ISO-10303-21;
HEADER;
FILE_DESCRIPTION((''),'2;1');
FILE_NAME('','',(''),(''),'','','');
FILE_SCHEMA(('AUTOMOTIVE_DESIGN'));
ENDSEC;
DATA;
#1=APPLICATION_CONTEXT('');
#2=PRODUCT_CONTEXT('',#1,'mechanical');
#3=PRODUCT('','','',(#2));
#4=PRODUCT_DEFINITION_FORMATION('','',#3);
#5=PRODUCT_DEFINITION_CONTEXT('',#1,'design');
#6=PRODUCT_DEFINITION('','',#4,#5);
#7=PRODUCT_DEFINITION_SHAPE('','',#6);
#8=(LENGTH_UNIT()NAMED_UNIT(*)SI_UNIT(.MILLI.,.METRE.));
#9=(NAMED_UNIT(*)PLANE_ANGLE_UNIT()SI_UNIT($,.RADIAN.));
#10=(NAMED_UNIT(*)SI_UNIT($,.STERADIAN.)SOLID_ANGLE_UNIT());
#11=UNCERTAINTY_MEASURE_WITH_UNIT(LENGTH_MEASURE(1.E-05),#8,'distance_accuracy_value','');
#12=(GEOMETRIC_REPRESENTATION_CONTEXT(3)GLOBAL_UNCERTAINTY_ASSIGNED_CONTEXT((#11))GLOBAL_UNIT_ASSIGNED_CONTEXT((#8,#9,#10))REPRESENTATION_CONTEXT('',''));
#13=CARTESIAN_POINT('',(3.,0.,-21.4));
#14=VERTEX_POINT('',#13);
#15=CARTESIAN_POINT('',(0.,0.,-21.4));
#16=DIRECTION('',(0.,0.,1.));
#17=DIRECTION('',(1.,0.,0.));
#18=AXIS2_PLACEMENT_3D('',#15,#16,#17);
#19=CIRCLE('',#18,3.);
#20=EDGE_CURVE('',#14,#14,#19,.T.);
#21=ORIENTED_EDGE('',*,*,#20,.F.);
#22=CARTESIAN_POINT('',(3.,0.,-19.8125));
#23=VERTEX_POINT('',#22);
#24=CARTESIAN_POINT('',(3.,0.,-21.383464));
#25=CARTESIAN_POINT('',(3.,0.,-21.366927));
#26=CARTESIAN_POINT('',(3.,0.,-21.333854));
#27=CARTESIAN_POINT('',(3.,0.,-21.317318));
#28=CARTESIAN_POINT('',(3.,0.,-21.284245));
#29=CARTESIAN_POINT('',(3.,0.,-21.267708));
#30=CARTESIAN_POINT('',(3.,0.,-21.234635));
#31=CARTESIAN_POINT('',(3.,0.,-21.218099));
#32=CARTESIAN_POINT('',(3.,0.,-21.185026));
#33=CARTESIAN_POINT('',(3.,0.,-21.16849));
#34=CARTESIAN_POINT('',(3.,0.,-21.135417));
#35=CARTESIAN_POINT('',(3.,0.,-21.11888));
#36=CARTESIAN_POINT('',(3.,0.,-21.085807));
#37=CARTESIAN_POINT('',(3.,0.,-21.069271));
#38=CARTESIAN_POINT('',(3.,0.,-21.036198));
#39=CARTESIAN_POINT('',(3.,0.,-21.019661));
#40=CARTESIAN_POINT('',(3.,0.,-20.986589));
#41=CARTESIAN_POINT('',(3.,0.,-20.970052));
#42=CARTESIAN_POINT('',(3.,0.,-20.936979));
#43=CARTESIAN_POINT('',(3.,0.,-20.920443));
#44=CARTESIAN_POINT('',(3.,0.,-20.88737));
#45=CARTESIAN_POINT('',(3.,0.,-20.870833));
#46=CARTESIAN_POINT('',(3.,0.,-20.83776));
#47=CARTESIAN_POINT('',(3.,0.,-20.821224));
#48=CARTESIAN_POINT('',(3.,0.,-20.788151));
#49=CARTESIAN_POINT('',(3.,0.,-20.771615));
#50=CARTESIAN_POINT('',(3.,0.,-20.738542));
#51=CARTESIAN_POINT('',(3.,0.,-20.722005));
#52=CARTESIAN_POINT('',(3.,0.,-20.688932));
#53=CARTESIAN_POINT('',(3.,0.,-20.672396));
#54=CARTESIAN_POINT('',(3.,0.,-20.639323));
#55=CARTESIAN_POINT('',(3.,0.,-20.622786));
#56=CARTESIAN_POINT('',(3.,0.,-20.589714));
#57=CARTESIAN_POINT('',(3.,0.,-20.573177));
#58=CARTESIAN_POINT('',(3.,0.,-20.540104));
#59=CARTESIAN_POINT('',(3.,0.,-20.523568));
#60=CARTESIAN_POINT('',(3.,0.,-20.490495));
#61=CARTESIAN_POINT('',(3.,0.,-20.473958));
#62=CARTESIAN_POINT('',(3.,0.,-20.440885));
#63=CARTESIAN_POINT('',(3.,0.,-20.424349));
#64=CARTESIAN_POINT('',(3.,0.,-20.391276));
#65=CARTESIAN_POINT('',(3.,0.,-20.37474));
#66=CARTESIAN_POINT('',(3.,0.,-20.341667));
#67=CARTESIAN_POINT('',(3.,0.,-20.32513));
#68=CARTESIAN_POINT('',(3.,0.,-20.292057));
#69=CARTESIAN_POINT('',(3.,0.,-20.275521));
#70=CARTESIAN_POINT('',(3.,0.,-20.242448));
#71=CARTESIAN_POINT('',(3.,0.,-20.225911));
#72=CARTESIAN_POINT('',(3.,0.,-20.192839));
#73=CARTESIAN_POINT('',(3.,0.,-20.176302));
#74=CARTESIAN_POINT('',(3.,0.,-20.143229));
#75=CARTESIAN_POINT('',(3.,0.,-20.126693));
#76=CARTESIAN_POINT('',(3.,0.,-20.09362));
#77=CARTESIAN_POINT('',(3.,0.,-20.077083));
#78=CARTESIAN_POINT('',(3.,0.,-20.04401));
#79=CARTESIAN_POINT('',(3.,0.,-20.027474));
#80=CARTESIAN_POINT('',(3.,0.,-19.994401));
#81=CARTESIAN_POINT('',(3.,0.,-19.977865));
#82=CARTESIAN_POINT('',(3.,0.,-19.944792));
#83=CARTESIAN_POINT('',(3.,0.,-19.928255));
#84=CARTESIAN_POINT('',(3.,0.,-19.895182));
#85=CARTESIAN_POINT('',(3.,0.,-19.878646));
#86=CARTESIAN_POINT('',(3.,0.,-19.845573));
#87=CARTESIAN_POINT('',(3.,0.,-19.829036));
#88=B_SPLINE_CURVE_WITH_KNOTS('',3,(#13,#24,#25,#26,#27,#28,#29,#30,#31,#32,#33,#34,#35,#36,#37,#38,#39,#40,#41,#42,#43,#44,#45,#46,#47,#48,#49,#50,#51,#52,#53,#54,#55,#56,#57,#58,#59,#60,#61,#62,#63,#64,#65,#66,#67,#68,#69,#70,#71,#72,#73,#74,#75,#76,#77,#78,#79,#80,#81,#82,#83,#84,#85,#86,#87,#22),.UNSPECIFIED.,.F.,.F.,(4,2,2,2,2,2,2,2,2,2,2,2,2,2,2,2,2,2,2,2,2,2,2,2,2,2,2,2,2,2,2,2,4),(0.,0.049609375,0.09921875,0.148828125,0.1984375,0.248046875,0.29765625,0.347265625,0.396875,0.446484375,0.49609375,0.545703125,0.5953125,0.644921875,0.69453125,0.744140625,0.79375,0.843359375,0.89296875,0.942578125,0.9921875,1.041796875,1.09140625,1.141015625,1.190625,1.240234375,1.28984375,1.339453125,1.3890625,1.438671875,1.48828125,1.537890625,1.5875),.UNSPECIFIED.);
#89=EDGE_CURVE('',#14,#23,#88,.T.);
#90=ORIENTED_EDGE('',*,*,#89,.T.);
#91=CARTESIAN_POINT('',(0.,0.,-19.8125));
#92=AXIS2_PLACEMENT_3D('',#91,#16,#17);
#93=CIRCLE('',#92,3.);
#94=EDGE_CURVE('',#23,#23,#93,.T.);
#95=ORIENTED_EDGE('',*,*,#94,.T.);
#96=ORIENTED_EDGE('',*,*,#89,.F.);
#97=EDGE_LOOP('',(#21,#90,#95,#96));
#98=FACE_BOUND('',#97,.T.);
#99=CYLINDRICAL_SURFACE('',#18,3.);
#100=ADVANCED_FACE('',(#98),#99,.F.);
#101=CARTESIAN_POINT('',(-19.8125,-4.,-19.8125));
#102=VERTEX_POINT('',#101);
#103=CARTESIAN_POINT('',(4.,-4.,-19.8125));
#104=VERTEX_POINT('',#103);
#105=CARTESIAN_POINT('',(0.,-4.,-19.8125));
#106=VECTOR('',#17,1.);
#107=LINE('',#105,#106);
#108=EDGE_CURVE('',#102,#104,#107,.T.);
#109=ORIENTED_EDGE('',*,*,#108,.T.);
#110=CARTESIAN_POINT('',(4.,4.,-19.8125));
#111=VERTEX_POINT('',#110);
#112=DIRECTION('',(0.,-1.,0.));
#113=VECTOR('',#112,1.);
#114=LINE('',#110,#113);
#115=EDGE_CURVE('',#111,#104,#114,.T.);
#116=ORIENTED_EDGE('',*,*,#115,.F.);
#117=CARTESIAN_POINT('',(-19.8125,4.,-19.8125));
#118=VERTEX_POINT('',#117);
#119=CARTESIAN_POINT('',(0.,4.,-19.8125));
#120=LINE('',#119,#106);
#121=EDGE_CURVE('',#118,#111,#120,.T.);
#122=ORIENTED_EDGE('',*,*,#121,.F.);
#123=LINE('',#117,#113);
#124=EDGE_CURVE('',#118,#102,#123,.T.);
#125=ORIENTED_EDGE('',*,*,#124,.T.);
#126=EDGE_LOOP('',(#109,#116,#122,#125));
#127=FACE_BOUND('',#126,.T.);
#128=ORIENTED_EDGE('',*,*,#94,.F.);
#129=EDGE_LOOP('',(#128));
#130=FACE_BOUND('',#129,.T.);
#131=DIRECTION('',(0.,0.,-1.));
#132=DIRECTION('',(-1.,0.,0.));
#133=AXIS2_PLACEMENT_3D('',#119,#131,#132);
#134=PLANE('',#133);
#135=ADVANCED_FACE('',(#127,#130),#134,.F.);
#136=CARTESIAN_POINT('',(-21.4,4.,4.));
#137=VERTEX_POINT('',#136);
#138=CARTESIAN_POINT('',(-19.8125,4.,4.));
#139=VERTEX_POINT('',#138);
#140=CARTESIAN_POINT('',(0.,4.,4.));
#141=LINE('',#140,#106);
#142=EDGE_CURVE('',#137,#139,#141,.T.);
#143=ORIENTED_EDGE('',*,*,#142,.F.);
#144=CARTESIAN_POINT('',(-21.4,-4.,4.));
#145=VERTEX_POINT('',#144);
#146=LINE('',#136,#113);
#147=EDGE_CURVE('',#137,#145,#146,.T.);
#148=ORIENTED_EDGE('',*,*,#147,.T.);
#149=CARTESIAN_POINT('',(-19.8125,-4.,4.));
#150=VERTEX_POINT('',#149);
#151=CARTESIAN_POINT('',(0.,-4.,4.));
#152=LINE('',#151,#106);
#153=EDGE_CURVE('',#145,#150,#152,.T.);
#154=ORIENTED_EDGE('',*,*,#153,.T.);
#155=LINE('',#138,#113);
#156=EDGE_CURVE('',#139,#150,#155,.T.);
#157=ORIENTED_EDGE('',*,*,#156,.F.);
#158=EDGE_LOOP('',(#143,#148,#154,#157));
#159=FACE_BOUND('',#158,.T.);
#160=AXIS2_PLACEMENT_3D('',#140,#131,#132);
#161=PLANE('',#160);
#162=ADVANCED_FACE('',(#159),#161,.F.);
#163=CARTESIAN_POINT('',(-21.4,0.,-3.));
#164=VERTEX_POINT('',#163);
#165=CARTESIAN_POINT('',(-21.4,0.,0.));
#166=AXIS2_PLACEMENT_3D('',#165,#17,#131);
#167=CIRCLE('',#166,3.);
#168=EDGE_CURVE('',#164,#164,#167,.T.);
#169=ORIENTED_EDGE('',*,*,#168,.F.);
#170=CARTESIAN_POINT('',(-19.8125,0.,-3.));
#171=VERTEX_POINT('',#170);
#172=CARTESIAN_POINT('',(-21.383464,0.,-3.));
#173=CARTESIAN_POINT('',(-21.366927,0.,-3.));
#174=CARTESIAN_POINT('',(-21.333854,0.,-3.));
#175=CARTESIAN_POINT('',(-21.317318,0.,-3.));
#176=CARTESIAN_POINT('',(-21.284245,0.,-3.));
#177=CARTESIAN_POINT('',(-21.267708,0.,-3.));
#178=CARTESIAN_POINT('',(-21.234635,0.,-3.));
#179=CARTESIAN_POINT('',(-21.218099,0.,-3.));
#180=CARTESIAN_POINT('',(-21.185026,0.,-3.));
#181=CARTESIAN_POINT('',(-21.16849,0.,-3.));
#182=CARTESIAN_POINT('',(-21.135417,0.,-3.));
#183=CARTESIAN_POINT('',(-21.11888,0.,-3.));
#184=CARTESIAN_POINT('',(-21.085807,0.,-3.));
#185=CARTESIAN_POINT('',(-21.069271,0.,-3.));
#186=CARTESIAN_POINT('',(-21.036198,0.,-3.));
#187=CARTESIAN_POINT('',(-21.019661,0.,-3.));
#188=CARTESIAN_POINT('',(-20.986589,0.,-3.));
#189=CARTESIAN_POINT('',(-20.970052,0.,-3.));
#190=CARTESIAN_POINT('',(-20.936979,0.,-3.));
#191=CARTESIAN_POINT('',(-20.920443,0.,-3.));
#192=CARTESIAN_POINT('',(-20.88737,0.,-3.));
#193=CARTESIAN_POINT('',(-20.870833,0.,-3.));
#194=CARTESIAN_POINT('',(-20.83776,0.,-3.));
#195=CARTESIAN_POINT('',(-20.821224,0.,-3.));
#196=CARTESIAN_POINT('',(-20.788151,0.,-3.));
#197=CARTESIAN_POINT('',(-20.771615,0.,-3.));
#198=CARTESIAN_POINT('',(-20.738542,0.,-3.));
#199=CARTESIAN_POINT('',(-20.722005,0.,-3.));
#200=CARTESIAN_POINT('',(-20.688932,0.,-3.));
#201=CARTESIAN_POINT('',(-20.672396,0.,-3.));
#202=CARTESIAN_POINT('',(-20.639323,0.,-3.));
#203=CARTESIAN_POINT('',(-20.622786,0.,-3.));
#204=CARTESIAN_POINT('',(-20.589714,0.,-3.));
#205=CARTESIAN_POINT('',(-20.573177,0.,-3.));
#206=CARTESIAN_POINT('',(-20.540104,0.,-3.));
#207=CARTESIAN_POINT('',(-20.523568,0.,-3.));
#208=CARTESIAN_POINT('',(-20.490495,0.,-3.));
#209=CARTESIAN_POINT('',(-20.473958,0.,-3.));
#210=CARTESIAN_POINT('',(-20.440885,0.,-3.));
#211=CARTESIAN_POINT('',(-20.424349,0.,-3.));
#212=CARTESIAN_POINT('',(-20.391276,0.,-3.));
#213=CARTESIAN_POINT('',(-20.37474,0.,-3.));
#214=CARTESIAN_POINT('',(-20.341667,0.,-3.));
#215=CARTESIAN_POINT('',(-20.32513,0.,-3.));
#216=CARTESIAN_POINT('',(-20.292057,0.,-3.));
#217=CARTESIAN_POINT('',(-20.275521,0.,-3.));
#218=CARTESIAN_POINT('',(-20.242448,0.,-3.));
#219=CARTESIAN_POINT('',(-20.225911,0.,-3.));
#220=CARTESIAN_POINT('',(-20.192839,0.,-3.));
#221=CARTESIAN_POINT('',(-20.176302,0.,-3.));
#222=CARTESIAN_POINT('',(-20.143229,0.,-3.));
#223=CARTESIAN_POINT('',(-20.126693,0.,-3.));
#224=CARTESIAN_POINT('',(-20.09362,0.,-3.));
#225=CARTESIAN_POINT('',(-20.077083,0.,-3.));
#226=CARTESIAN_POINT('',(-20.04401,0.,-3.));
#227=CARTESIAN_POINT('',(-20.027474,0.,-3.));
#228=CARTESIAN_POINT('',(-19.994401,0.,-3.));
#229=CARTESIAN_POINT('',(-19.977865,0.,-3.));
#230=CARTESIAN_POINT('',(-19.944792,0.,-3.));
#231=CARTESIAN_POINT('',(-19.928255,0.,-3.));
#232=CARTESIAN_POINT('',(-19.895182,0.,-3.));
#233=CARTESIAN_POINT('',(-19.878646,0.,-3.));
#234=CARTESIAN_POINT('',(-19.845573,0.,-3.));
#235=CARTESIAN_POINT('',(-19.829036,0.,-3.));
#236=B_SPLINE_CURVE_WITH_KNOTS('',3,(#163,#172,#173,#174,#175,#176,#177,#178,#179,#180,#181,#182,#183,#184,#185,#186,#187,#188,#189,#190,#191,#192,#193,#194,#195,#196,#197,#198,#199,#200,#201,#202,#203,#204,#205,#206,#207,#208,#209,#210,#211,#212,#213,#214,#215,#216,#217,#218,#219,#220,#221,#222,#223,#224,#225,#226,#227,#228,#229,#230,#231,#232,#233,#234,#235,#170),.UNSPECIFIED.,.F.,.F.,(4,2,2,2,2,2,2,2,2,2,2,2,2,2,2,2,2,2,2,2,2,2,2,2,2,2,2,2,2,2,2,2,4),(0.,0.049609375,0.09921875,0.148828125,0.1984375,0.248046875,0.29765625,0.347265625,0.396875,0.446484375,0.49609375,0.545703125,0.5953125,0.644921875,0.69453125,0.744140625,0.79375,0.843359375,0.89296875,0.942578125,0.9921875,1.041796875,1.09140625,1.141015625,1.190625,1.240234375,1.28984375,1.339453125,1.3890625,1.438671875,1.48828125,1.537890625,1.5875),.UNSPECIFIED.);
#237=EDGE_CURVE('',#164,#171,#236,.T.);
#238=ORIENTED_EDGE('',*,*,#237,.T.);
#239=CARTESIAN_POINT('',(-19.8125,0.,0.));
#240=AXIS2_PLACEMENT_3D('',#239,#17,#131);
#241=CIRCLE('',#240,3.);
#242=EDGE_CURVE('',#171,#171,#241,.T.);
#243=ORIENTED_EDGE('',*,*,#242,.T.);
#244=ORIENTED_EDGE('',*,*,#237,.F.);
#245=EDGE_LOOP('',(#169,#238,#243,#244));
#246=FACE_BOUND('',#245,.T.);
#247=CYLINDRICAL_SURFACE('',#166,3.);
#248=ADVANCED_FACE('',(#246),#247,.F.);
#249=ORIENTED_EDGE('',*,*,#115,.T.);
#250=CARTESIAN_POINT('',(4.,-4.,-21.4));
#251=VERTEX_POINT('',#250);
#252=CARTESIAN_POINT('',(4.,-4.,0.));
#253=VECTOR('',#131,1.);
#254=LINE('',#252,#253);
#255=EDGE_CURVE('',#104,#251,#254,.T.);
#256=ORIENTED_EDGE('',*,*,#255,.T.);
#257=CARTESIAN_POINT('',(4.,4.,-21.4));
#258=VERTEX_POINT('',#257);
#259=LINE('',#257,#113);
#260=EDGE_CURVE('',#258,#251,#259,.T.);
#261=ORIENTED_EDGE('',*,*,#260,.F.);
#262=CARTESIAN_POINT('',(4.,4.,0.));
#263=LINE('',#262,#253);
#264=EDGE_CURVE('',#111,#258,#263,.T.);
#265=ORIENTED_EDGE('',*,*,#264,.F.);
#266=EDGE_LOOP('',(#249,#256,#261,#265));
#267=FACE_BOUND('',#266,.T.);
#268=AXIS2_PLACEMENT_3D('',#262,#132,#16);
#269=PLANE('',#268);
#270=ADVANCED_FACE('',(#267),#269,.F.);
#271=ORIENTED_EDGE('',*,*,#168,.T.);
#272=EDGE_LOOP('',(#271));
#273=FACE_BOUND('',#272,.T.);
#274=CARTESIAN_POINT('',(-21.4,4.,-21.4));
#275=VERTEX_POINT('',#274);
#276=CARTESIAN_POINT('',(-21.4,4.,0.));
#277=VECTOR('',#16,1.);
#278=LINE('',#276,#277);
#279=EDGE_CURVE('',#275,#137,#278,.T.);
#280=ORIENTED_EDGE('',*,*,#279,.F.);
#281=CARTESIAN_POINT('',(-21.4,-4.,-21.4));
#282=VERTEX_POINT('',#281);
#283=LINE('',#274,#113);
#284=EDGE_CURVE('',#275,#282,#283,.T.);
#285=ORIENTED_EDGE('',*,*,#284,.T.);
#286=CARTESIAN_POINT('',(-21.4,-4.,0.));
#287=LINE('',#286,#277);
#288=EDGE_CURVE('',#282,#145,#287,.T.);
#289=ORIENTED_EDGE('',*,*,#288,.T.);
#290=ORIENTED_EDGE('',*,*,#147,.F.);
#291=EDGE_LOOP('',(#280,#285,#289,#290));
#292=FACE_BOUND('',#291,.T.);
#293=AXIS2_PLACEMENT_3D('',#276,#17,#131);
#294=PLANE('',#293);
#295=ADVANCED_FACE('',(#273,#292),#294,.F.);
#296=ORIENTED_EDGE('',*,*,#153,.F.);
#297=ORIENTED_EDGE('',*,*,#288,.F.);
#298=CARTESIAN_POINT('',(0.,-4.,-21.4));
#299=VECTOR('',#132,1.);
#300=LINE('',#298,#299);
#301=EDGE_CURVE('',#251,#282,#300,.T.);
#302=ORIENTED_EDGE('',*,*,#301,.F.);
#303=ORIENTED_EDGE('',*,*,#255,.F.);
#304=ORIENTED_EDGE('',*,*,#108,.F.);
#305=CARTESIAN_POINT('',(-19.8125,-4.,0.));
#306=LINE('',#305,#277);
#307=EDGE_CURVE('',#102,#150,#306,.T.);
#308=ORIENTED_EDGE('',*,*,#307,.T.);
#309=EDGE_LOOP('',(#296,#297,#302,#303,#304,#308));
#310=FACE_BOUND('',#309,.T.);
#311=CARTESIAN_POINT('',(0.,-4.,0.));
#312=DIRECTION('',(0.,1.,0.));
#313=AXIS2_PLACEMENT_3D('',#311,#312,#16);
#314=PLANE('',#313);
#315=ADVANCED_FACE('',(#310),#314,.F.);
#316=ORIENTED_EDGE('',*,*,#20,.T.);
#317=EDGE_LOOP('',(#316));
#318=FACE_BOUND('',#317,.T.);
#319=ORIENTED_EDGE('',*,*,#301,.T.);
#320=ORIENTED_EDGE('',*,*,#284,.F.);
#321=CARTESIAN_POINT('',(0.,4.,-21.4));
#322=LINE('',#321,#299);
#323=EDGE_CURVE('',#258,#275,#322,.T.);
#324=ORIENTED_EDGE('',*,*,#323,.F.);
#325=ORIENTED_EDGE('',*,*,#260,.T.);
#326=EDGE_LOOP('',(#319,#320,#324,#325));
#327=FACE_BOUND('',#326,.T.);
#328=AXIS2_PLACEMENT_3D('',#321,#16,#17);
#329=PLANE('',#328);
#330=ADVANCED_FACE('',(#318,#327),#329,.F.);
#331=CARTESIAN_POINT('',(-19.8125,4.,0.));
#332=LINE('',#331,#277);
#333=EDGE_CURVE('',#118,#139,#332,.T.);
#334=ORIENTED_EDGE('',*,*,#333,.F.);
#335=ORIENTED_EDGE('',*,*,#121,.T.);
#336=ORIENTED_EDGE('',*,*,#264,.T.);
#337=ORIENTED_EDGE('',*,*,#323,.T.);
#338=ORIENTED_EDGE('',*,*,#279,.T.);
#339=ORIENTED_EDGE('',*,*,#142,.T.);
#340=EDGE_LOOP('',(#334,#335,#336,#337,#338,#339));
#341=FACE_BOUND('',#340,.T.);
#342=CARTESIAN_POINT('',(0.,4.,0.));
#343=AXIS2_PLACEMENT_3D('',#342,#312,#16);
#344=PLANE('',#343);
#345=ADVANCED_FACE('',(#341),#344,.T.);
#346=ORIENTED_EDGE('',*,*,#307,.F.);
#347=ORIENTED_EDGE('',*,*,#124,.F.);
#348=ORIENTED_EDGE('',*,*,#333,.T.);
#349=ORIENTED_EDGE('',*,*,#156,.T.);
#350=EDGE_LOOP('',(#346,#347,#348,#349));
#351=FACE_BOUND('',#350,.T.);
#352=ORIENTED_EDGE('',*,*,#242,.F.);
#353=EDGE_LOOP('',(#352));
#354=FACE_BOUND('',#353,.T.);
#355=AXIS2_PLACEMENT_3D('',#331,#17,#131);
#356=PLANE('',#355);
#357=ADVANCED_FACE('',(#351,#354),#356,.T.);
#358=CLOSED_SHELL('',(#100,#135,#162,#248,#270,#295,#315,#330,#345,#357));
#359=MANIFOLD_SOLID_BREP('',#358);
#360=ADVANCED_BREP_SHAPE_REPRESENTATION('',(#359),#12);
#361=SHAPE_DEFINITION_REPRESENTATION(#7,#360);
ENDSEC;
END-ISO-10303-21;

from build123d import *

# Parameters (mm, degrees)
BOSS_EXTRUDE1_DEPTH = 4
SKETCH2_R           = 3
CUT_EXTRUDE1_DEPTH  = 33.264456547
SKETCH3_R           = 3
CUT_EXTRUDE2_DEPTH  = 33.264456547


with BuildPart() as part:
    # Sketch1 → Boss-Extrude1 (new, symmetric)
    with BuildSketch(Plane(origin=(0, 0, 0), x_dir=(1, 0, 0), z_dir=(0, 1, 0))):
        Polygon((-4, 19.8125), (4, 19.8125), (4, 21.4), (-4, 21.4), (-21.4, 21.4), (-21.4, 4), (-21.4, -4), (-19.8125, -4), (-19.8125, 4), (-19.8125, 19.8125), align=None)
    extrude(amount=BOSS_EXTRUDE1_DEPTH, both=True)

    # Sketch2 → Cut-Extrude1 (cut, through all)
    with BuildSketch(Plane(origin=(-19.8125, 0, 0), x_dir=(0, 0, -1), z_dir=(1, 0, 0))):
        Circle(SKETCH2_R)
    extrude(amount=-CUT_EXTRUDE1_DEPTH, mode=Mode.SUBTRACT)

    # Sketch3 → Cut-Extrude2 (cut, through all)
    with BuildSketch(Plane.XY.offset(-19.8125)):
        Circle(SKETCH3_R)
    extrude(amount=-CUT_EXTRUDE2_DEPTH, mode=Mode.SUBTRACT)


solid = part.part
